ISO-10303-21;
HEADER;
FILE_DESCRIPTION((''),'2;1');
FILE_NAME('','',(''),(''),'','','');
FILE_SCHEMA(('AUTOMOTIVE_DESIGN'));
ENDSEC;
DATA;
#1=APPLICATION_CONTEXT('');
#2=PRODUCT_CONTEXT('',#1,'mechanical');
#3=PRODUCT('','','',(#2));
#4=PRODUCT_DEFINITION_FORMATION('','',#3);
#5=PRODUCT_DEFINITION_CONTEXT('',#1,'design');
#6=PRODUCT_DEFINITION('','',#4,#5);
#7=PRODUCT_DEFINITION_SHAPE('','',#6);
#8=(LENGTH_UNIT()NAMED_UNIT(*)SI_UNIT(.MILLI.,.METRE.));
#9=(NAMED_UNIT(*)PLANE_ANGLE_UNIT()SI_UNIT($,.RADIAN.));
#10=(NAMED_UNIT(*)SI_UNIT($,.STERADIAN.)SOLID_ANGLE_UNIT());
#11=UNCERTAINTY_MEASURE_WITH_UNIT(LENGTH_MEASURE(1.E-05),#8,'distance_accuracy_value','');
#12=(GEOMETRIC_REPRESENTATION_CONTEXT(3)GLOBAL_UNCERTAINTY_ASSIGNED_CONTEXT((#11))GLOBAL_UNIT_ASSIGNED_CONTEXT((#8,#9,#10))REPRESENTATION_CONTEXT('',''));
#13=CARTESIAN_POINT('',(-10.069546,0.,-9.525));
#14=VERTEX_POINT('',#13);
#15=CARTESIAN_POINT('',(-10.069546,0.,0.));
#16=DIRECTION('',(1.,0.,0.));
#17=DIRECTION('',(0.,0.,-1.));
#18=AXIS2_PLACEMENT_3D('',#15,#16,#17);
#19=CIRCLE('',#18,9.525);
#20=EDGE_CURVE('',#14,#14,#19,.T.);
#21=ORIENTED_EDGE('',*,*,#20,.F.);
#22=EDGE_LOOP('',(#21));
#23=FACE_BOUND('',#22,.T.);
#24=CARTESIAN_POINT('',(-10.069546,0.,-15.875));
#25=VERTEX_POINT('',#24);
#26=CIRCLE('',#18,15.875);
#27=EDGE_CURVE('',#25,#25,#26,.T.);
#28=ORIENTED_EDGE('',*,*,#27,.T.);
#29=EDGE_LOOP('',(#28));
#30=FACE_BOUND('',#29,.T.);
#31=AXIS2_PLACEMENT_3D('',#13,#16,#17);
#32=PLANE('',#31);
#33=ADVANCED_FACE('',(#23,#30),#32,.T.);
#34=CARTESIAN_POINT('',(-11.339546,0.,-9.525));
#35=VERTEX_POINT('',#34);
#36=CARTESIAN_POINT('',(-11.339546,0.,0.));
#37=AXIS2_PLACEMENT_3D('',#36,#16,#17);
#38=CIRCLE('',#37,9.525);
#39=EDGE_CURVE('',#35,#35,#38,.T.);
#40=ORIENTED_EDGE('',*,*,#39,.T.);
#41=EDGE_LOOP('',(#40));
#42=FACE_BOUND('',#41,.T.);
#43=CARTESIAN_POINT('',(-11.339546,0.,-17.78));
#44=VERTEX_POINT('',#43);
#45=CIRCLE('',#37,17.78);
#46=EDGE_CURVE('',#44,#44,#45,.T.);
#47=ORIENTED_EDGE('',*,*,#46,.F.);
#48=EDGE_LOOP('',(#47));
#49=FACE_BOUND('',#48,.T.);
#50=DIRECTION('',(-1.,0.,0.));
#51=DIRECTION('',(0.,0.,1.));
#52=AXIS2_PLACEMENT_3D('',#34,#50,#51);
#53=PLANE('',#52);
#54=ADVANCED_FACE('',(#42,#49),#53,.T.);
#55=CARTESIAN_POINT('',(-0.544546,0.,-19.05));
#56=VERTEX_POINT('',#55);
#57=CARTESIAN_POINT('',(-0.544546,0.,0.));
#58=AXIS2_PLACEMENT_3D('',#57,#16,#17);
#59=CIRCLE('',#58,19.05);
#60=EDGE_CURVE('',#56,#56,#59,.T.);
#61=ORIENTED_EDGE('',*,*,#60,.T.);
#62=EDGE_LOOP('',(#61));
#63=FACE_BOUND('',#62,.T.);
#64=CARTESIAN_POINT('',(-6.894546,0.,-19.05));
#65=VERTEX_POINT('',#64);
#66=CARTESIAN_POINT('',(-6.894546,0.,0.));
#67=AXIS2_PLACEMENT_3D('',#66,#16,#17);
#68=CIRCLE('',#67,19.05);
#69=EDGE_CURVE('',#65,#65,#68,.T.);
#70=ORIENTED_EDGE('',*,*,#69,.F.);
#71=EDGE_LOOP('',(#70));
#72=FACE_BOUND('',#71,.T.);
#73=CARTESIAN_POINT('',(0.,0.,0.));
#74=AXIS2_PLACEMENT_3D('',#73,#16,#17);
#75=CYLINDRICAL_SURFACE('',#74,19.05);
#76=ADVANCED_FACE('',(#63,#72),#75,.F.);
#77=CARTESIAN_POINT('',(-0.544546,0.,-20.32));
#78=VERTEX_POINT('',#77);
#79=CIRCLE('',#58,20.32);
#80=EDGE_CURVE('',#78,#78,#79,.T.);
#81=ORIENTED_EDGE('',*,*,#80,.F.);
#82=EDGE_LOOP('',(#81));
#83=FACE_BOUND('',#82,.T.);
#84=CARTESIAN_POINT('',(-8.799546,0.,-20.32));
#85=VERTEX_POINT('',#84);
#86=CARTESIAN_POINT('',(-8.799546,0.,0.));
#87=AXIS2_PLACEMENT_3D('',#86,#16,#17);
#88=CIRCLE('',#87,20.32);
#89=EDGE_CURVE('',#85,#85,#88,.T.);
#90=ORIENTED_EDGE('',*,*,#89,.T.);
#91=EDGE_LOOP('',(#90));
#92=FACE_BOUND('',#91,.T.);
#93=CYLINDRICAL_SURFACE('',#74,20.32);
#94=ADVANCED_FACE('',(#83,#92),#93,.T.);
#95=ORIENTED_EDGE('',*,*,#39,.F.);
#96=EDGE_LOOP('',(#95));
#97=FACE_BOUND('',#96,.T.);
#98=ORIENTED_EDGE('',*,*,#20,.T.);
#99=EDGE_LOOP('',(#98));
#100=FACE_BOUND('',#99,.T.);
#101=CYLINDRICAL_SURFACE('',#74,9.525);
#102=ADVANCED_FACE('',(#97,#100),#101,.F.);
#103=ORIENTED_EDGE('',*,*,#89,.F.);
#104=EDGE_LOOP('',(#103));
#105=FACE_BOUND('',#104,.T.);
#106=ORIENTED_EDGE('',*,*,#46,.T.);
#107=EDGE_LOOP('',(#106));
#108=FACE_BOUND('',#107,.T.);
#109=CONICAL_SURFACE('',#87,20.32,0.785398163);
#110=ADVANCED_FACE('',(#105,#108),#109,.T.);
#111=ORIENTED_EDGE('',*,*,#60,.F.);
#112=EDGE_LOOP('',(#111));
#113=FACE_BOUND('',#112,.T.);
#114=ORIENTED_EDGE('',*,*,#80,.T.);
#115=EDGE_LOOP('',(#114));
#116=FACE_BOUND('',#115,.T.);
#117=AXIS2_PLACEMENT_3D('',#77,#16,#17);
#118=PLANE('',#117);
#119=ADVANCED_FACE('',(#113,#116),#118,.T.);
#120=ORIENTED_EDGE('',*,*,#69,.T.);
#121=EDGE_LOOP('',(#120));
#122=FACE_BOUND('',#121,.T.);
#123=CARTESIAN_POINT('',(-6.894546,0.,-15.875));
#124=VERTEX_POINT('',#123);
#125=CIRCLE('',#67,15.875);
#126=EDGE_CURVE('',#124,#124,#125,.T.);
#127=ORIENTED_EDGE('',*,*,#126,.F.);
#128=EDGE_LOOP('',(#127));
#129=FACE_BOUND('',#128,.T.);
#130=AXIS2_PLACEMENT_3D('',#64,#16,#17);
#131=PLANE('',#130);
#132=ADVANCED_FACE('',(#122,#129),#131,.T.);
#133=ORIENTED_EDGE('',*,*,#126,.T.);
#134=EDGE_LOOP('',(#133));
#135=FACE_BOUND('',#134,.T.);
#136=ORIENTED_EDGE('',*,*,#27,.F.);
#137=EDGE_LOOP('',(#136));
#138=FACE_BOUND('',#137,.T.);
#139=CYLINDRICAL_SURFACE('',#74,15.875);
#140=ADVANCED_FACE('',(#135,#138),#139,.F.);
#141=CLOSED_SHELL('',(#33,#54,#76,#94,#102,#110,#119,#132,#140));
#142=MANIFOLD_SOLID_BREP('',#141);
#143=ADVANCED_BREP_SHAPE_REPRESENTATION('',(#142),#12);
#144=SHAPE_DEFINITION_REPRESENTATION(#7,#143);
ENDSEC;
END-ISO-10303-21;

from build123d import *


with BuildPart() as part:
    # Sketch1 → Revolve1 (revolve)
    with BuildSketch(Plane(origin=(0, 0, 0), x_dir=(1, 0, 0), z_dir=(0, 1, 0))):
        Polygon((-11.339546479, 9.525), (-10.069546479, 9.525), (-10.069546479, 15.875), (-6.894546479, 15.875), (-6.894546479, 19.05), (-0.544546479, 19.05), (-0.544546479, 20.32), (-8.799546479, 20.32), (-11.339546479, 17.78), align=None)
    revolve(axis=Axis((0, 0, 0), (-1, 0, 0)))


solid = part.part
